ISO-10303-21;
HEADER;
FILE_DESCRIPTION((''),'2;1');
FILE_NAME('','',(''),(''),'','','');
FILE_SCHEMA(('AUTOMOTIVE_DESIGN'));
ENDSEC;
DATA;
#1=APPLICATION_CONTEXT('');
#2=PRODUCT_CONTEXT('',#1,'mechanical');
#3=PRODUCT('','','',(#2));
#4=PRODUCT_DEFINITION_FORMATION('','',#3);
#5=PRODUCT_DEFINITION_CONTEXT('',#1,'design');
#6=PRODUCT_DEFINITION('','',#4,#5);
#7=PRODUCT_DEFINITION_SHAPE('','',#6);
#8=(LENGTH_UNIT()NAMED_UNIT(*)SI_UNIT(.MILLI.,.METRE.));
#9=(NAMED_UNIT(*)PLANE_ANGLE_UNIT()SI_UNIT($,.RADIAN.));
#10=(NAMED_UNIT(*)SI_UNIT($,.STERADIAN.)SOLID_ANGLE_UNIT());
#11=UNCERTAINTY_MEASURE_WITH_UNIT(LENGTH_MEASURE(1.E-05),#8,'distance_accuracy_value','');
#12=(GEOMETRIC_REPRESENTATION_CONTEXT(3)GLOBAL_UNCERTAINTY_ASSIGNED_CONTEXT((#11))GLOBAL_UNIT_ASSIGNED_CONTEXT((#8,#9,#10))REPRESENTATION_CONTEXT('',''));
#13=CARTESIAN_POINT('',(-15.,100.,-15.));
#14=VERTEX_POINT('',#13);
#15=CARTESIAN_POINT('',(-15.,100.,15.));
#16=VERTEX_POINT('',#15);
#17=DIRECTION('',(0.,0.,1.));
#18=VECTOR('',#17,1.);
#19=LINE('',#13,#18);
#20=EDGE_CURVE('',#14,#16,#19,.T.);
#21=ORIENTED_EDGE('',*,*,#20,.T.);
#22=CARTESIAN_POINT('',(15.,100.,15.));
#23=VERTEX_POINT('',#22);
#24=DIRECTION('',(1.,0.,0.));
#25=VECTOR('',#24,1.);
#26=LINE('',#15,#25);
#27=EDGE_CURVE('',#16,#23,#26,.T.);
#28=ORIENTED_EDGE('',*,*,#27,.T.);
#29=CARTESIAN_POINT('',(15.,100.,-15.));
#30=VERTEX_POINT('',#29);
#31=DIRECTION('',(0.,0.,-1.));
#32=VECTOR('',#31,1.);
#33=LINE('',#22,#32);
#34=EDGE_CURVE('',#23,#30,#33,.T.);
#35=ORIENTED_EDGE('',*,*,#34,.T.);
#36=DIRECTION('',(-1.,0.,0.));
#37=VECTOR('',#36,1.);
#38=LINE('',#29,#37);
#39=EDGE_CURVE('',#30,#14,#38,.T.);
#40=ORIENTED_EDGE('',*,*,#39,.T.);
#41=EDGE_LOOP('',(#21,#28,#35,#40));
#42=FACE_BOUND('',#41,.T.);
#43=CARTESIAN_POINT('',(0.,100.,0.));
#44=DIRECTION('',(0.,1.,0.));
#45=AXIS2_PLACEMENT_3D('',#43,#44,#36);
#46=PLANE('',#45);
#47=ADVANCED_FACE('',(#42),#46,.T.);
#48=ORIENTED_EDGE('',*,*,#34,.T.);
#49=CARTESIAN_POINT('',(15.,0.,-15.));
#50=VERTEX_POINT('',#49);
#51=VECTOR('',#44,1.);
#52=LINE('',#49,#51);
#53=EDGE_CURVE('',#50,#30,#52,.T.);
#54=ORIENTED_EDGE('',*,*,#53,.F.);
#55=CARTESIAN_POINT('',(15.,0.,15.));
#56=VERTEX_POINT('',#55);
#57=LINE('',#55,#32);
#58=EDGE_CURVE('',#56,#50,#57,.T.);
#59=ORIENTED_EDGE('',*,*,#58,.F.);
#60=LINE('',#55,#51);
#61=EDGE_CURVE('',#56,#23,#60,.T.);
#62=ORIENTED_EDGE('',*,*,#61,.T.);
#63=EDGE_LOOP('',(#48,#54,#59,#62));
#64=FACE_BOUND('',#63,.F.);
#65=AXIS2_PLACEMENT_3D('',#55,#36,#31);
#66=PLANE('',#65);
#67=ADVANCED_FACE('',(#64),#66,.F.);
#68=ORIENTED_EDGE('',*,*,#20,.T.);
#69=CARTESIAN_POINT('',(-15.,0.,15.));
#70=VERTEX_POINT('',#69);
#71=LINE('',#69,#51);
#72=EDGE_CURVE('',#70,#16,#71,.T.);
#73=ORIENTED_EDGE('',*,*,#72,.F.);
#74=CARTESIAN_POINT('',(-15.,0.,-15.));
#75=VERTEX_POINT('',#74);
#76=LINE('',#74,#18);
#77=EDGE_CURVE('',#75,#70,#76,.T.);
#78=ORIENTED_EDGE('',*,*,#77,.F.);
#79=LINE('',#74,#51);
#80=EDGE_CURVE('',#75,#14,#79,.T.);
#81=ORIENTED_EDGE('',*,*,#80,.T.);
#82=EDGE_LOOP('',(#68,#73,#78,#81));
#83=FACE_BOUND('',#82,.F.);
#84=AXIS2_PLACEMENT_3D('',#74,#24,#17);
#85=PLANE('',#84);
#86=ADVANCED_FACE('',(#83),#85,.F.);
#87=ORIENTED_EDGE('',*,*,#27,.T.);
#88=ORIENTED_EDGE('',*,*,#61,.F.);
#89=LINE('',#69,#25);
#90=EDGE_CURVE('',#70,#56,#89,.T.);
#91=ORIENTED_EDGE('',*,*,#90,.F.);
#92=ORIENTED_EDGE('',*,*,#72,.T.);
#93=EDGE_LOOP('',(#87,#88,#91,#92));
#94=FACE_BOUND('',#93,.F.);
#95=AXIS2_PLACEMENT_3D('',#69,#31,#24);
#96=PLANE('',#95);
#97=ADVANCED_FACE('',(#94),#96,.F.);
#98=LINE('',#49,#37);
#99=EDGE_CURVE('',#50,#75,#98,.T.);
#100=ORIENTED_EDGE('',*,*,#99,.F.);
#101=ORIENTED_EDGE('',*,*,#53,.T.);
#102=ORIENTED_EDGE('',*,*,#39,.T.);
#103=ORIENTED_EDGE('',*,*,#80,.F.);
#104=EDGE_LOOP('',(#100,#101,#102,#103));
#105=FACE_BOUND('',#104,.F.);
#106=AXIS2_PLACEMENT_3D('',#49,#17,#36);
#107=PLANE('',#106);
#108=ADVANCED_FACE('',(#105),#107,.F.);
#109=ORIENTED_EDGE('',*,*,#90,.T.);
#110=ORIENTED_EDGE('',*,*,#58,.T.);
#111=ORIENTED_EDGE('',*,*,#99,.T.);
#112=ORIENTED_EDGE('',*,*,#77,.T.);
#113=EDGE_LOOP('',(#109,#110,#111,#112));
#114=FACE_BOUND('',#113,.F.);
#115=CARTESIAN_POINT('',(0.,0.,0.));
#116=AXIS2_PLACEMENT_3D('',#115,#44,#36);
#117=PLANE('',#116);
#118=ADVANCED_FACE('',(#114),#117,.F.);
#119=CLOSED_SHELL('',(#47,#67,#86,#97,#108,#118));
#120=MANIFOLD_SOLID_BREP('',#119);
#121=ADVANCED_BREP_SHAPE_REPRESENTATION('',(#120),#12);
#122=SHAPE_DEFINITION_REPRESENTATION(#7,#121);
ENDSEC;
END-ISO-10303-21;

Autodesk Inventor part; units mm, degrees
ref_plane "YZ Plane" through (0, 0, 0) normal (1, 0, 0) x (0, 1, 0)
ref_plane "XZ Plane" through (0, 0, 0) normal (0, 1, 0) x (-1, 0, 0)
ref_plane "XY Plane" through (0, 0, 0) normal (0, 0, 1) x (1, 0, 0)
sketch "Sketch1" plane through (0, 0, 0) normal (0, 1, 0) x (-1, 0, 0)
  line L0 (-15, -15) -> (15, -15)
  line L1 (15, -15) -> (15, 15)
  line L2 (15, 15) -> (-15, 15)
  line L3 (-15, 15) -> (-15, -15)
  line L4 (-15, -15) -> (15, 15) construction
  line L5 (15, -15) -> (-15, 15) construction
  point P0 (0, 0)
  dimension "d0" = 30
  dimension "d1" = 30
extrude "Extrusion1" add sketch "Sketch1" along normal blind 100
properties part number "InputStack"
